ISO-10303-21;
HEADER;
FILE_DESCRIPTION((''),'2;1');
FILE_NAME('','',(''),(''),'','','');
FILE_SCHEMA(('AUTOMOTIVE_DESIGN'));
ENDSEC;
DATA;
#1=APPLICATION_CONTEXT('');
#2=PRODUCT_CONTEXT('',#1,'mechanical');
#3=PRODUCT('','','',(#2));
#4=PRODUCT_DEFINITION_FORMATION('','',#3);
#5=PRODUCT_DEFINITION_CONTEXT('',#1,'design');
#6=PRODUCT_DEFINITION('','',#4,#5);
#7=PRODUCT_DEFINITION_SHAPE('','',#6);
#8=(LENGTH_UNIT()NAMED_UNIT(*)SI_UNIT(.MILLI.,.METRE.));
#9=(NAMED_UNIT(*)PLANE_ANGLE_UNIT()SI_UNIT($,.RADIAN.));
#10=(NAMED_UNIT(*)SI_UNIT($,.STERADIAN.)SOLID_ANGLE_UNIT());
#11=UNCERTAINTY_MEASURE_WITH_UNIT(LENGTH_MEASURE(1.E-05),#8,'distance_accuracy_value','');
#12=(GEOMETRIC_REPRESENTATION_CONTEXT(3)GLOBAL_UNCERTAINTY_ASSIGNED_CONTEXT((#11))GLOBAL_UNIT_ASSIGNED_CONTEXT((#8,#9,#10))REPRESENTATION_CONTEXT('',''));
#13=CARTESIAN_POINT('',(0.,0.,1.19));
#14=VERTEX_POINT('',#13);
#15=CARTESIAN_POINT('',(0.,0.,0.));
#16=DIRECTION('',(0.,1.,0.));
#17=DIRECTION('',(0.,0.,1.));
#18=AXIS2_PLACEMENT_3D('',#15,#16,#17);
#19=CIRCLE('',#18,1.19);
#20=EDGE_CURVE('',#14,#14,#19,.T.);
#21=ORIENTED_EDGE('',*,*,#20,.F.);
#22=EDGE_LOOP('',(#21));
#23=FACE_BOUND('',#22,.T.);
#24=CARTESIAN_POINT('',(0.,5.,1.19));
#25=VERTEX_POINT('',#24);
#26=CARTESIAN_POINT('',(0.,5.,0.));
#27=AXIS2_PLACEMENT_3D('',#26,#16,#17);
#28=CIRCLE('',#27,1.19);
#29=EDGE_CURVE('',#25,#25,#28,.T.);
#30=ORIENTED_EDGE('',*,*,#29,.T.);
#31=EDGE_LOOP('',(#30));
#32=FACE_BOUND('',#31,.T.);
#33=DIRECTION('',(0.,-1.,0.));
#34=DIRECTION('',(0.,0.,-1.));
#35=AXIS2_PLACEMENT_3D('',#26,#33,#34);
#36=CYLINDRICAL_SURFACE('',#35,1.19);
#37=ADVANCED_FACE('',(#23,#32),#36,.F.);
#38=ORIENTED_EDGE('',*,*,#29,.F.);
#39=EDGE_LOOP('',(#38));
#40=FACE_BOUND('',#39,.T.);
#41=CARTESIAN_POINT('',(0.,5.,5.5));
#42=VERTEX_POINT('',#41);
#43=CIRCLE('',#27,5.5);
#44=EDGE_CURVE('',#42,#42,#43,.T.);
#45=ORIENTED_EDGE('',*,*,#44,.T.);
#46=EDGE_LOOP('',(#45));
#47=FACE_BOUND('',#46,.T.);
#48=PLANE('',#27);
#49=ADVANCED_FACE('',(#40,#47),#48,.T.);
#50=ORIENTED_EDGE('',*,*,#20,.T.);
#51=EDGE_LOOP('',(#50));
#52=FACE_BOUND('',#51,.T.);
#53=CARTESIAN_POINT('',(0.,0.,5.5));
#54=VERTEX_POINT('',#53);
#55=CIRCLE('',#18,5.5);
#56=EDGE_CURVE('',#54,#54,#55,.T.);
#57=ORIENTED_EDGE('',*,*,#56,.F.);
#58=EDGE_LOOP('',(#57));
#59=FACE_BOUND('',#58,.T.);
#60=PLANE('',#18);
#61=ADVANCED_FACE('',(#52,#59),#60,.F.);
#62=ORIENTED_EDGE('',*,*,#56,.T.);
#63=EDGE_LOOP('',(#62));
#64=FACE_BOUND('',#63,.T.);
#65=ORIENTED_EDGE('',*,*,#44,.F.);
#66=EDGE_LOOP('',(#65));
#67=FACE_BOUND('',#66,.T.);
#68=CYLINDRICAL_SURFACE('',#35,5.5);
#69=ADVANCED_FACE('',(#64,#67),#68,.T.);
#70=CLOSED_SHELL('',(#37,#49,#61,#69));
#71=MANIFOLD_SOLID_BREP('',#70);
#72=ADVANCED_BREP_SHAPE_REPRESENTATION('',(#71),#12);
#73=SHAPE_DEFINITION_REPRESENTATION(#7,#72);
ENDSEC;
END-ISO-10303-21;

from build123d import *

# Parameters (mm, degrees)
SKETCH1_R           = 5.5
SKETCH1_R_2         = 1.19
BOSS_EXTRUDE1_DEPTH = 5


with BuildPart() as part:
    # Sketch1 → Boss-Extrude1 (new body)
    with BuildSketch(Plane(origin=(0, 0, 0), x_dir=(1, 0, 0), z_dir=(0, 1, 0))):
        with Locations(Location((0, 0, 0), (0, 0, 270))):
            Circle(SKETCH1_R)
        with Locations(Location((0, 0, 0), (0, 0, 270))):
            Circle(SKETCH1_R_2, mode=Mode.SUBTRACT)
    extrude(amount=BOSS_EXTRUDE1_DEPTH)


solid = part.part
